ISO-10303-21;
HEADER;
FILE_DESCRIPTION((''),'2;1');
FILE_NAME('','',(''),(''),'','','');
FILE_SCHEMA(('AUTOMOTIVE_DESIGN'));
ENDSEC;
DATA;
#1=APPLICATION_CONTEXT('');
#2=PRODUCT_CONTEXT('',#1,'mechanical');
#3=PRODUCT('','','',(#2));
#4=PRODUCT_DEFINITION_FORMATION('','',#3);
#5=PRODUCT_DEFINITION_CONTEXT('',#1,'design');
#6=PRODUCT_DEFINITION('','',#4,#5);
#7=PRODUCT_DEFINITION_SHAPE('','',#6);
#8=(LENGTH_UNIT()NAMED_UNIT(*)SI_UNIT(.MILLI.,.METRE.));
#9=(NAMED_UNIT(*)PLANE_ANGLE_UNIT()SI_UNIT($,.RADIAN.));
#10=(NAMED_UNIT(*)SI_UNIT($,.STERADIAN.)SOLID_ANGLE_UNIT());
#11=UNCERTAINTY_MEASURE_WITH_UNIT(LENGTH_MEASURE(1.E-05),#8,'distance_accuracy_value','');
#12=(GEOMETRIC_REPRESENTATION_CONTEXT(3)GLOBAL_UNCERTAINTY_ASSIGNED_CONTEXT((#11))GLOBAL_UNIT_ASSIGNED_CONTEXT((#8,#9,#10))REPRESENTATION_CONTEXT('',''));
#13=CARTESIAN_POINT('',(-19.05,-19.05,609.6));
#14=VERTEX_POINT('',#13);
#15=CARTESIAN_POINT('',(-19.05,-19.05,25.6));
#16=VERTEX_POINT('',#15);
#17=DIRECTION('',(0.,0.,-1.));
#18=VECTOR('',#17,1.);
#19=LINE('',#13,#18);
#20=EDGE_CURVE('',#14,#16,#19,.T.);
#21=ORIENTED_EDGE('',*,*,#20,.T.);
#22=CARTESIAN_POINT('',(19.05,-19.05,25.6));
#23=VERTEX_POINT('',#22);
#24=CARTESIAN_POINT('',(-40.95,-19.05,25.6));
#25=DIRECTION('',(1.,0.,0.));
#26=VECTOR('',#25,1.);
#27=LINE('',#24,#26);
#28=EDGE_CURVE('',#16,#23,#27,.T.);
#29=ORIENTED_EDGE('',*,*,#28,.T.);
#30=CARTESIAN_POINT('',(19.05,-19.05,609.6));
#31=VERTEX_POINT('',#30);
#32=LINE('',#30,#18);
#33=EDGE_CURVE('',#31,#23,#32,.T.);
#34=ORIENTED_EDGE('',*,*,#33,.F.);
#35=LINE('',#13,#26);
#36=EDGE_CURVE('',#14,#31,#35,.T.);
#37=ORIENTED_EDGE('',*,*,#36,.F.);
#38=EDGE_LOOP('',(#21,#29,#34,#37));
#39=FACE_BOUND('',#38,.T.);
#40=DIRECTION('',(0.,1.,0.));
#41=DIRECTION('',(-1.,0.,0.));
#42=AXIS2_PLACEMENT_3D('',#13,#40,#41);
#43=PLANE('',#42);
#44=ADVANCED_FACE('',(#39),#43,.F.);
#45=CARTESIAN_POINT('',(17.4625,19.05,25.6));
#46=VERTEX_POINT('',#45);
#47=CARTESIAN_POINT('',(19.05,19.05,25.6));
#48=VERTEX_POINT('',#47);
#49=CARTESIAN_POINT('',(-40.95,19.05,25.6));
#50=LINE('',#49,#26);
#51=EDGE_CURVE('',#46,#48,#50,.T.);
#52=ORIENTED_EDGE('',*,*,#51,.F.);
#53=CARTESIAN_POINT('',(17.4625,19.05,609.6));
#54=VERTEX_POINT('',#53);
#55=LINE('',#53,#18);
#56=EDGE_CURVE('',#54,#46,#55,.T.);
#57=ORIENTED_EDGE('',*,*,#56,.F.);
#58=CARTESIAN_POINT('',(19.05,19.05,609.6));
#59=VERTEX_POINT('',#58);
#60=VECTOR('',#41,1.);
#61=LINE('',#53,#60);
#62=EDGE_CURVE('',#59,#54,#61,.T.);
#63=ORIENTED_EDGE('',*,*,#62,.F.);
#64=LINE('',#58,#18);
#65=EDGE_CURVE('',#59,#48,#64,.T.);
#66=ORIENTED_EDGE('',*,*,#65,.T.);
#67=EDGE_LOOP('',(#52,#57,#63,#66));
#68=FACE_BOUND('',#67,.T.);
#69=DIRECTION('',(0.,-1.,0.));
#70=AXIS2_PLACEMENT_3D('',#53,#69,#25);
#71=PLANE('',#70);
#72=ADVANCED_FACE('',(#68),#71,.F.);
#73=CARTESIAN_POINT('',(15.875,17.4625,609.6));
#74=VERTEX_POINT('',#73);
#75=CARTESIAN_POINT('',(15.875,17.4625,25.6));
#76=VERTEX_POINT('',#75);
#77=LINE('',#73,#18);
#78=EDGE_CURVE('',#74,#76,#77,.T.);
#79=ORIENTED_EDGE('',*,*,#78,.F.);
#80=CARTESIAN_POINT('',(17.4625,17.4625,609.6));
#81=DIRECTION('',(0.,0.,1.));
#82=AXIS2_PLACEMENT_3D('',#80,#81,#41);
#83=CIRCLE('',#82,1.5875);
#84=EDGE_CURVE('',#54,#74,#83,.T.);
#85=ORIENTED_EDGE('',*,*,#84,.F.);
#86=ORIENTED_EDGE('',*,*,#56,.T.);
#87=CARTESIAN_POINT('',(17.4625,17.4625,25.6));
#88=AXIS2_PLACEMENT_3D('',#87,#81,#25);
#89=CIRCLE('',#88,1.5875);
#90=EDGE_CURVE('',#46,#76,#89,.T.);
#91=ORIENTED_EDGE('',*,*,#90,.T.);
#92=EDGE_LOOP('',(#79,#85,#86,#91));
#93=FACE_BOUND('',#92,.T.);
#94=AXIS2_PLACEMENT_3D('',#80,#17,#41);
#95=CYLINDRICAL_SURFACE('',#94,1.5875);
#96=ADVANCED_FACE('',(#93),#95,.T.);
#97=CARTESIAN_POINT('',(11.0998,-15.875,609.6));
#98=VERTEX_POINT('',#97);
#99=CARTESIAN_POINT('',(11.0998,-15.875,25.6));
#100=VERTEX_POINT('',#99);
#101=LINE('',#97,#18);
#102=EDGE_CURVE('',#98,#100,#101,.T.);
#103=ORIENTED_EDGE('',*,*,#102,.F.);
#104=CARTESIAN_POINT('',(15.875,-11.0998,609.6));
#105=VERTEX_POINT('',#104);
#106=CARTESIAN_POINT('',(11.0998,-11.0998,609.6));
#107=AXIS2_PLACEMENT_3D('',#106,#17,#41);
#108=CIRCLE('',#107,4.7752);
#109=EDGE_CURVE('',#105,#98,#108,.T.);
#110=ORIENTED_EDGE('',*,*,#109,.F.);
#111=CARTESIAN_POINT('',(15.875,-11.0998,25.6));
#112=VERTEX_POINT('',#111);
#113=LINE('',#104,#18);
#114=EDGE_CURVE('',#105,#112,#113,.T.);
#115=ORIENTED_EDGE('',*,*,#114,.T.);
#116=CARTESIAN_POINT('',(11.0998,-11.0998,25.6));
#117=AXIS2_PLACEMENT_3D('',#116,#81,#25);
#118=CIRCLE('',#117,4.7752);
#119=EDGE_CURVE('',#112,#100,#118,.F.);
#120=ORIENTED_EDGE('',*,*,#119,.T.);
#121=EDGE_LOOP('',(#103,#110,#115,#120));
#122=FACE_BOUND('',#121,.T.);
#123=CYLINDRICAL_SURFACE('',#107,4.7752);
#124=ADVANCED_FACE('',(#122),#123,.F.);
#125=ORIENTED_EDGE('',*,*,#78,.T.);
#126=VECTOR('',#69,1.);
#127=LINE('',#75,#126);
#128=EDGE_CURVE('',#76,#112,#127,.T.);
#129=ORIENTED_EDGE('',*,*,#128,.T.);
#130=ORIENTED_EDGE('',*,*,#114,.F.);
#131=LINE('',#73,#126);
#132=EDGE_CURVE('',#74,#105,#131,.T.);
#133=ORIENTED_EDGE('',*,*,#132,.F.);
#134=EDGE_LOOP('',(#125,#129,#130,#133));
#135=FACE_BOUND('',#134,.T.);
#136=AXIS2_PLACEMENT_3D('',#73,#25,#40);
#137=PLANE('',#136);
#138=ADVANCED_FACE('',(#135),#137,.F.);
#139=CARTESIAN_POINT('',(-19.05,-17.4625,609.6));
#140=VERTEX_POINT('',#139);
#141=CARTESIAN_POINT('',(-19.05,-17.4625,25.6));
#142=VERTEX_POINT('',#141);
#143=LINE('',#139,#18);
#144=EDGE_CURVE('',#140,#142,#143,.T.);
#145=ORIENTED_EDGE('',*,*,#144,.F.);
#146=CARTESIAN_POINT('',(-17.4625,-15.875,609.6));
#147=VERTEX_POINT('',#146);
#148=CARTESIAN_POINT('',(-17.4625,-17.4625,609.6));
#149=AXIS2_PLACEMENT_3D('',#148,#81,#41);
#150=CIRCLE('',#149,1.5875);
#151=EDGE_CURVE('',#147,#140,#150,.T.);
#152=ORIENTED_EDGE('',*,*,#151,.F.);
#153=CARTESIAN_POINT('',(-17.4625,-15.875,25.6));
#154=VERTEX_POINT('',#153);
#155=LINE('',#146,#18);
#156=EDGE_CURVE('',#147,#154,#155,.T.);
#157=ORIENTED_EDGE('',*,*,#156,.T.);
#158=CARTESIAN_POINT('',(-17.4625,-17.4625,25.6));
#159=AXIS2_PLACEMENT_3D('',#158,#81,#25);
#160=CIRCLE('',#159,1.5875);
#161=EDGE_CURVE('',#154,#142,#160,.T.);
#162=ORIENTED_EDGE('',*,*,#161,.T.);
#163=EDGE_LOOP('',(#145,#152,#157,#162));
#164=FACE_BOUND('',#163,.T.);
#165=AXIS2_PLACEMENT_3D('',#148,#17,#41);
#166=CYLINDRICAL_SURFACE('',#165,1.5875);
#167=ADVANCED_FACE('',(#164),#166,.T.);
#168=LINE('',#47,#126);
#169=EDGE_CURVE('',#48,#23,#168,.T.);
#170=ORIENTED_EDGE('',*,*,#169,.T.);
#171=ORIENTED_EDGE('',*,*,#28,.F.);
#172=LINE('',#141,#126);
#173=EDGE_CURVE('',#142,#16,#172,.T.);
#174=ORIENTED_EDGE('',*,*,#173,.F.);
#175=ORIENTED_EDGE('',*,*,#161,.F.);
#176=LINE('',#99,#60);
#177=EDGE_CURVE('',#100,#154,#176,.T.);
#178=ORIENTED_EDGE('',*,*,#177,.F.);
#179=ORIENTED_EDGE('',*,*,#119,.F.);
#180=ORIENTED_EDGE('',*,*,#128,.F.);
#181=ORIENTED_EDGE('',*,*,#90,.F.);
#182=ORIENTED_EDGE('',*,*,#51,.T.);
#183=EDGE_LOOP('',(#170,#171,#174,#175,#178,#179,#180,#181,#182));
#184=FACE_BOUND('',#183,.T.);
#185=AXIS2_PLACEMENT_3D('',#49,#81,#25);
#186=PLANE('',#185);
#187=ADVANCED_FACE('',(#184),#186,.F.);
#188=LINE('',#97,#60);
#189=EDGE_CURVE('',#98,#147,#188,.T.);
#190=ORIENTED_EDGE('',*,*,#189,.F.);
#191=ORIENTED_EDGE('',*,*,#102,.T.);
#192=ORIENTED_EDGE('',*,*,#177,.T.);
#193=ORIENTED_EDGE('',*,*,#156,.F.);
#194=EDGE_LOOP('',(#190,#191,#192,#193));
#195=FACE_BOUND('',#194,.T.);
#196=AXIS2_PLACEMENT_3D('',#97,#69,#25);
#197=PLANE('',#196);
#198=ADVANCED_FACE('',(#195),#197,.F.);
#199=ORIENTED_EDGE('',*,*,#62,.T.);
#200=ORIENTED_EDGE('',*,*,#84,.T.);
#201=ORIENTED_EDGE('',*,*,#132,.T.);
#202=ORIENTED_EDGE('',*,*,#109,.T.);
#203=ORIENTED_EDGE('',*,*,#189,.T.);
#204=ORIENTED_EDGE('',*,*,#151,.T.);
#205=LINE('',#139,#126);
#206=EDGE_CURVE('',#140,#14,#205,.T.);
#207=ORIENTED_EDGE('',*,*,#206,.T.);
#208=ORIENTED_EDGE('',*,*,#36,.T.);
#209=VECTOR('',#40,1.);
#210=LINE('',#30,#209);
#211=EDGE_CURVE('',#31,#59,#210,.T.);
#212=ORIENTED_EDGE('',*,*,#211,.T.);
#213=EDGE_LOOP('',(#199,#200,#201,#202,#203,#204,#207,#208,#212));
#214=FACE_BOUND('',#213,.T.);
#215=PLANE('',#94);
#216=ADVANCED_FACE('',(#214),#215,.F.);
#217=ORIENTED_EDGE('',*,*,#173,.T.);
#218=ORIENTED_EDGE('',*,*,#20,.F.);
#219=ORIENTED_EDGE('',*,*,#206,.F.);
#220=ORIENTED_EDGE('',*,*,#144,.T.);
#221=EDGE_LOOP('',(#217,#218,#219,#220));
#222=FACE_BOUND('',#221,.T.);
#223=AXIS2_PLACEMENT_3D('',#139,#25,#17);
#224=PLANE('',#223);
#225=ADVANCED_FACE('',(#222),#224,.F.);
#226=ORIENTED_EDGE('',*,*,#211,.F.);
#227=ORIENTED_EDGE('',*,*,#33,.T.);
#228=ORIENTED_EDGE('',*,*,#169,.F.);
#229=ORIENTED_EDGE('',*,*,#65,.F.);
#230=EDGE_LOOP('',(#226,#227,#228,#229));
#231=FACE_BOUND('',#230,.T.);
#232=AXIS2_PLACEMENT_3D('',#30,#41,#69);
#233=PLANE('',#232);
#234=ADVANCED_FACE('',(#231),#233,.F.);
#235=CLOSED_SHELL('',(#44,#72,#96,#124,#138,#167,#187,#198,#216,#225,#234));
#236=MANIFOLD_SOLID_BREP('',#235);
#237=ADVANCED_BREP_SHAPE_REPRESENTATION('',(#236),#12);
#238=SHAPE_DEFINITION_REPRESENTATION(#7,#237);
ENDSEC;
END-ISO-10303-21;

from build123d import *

# Parameters (mm, degrees)
BOSS_EXTRUDE1_DEPTH = 609.6
SKETCH3_W           = 635.2
SKETCH3_H           = 38.1
CUT_EXTRUDE1_DEPTH  = 60


with BuildPart() as part:
    # Sketch2 → Boss-Extrude1 (new, symmetric)
    with BuildSketch(Plane.XY):
        with BuildLine():
            Line((-19.05, -19.05), (19.05, -19.05))
            Line((19.05, -19.05), (19.05, 19.05))
            Line((19.05, 19.05), (17.4625, 19.05))
            ThreePointArc((17.4625, 19.05), (16.339967985, 18.585032015), (15.875, 17.4625))
            Line((15.875, 17.4625), (15.875, -11.0998))
            ThreePointArc((15.875, -11.0998), (14.476376302, -14.476376302), (11.0998, -15.875))
            Line((11.0998, -15.875), (-17.4625, -15.875))
            ThreePointArc((-17.4625, -15.875), (-18.585032015, -16.339967985), (-19.05, -17.4625))
            Line((-19.05, -17.4625), (-19.05, -19.05))
        make_face()
    extrude(amount=BOSS_EXTRUDE1_DEPTH, both=True)

    # Sketch3 → Cut-Extrude1 (cut)
    with BuildSketch(Plane(origin=(19.05, 0, 0), x_dir=(0, 0, -1), z_dir=(1, 0, 0))):
        with Locations((292, 0)):
            Rectangle(SKETCH3_W, SKETCH3_H)
    extrude(amount=-CUT_EXTRUDE1_DEPTH, mode=Mode.SUBTRACT)


solid = part.part
